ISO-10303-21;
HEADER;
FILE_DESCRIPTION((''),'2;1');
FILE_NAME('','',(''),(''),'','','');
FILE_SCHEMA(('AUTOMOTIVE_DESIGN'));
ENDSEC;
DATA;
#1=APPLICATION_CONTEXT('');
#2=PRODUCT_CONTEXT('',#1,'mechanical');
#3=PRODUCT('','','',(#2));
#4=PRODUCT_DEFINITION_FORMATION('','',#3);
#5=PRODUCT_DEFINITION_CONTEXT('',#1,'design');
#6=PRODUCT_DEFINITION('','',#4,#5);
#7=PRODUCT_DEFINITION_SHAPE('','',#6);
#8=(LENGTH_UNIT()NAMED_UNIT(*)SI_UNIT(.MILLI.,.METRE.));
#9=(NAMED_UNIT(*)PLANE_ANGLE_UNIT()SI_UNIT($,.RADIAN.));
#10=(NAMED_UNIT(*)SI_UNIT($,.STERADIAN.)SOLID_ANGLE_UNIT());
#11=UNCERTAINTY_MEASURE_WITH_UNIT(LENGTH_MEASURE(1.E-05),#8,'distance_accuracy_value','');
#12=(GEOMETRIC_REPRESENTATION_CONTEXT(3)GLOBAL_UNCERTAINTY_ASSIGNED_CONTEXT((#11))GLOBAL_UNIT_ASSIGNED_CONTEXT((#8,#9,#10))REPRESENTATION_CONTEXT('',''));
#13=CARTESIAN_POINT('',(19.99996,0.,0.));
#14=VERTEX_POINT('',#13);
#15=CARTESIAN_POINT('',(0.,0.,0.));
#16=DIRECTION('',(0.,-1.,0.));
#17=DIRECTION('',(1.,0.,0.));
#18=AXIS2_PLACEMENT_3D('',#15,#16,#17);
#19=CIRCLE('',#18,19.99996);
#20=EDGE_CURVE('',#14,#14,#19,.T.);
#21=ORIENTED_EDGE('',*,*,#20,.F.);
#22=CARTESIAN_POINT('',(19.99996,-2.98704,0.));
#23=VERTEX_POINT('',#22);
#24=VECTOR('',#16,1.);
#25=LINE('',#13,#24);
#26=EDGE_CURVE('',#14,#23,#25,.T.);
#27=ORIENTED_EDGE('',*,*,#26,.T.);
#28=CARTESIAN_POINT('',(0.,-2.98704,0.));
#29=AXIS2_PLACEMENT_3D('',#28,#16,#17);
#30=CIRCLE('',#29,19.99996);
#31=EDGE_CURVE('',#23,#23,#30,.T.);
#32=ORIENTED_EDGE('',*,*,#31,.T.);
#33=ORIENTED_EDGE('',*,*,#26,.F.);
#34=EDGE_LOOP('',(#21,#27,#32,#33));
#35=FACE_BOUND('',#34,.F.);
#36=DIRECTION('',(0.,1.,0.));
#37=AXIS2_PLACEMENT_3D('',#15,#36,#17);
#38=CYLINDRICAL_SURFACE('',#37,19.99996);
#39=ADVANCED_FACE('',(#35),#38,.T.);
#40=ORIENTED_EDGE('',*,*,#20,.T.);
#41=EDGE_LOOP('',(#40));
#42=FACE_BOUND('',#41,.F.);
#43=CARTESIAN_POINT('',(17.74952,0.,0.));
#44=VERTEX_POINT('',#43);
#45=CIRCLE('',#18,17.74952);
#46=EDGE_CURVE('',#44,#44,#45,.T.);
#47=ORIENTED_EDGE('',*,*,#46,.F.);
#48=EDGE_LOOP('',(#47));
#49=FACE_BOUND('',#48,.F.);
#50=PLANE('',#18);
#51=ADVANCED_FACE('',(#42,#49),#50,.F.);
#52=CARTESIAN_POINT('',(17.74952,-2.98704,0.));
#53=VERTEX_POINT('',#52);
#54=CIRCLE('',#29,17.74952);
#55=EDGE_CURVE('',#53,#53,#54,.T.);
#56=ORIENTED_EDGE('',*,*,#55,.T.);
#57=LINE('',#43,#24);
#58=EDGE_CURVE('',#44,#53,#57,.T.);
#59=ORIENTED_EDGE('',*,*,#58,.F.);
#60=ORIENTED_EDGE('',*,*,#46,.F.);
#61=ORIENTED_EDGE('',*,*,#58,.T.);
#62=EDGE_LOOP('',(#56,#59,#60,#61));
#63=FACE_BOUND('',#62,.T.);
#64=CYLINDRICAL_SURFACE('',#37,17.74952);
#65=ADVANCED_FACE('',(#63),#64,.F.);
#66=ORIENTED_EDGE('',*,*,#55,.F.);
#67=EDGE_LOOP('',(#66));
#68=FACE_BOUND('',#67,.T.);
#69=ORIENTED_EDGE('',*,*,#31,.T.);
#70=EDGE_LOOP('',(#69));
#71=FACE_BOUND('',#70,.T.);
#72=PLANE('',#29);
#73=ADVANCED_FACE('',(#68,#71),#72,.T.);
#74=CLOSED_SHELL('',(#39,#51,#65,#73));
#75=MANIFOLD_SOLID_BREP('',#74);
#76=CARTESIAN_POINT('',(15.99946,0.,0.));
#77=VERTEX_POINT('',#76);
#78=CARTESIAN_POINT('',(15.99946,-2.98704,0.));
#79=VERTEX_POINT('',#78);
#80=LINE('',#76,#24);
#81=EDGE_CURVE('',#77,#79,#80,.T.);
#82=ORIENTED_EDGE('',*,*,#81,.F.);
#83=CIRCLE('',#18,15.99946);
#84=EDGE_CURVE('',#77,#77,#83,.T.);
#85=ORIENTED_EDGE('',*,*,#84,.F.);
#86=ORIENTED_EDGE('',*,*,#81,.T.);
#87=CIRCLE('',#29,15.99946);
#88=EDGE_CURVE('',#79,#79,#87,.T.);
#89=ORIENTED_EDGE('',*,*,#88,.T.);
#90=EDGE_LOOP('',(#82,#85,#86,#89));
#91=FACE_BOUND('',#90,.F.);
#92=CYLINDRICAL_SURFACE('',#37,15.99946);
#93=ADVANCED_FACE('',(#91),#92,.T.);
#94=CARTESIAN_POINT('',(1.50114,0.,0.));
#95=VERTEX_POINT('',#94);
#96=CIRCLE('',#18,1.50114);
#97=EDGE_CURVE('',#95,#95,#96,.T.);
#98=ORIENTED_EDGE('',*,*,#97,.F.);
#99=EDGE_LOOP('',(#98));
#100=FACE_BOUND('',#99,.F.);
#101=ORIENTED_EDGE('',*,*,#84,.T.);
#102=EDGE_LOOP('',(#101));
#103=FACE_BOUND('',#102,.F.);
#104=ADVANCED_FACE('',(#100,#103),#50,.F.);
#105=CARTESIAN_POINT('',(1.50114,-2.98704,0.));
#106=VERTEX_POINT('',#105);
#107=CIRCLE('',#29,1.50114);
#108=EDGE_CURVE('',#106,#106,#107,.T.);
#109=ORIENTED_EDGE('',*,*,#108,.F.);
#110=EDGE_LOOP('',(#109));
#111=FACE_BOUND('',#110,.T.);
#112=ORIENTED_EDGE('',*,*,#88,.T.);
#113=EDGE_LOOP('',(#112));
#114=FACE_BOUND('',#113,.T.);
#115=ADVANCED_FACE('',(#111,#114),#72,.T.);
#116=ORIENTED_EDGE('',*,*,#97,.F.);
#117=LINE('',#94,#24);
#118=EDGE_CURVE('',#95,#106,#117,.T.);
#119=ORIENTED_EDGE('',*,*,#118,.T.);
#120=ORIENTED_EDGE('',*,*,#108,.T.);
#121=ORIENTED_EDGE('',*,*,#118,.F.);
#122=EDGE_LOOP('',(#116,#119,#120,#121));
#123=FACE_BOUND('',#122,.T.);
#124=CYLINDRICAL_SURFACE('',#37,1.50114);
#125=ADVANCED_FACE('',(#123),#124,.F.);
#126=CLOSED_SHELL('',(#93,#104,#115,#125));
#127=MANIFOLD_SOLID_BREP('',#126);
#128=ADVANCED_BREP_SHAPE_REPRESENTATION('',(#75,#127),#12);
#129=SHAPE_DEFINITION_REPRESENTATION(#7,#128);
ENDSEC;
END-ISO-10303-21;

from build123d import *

# Parameters (mm, degrees)
F0_R     = 19.99996
F0_R_2   = 17.74952
F1_DEPTH = 2.98704
F0_R_3   = 15.99946
F0_R_4   = 2.99974
F0_R_5   = 1.50114


with BuildPart() as f1:
    # F0 (on Front) → F1 (new body)
    with BuildSketch(Plane.XZ):
        Circle(F0_R)
        Circle(F0_R_2, mode=Mode.SUBTRACT)
    extrude(amount=F1_DEPTH)


with BuildPart() as f1b:
    # F0 (on Front) → F1, piece 2 (new body)
    with BuildSketch(Plane.XZ):
        Circle(F0_R_3)
        Circle(F0_R_4, mode=Mode.SUBTRACT)
        Circle(F0_R_4)
        Circle(F0_R_5, mode=Mode.SUBTRACT)
    extrude(amount=F1_DEPTH)


solid = Compound([f1.part, f1b.part])
